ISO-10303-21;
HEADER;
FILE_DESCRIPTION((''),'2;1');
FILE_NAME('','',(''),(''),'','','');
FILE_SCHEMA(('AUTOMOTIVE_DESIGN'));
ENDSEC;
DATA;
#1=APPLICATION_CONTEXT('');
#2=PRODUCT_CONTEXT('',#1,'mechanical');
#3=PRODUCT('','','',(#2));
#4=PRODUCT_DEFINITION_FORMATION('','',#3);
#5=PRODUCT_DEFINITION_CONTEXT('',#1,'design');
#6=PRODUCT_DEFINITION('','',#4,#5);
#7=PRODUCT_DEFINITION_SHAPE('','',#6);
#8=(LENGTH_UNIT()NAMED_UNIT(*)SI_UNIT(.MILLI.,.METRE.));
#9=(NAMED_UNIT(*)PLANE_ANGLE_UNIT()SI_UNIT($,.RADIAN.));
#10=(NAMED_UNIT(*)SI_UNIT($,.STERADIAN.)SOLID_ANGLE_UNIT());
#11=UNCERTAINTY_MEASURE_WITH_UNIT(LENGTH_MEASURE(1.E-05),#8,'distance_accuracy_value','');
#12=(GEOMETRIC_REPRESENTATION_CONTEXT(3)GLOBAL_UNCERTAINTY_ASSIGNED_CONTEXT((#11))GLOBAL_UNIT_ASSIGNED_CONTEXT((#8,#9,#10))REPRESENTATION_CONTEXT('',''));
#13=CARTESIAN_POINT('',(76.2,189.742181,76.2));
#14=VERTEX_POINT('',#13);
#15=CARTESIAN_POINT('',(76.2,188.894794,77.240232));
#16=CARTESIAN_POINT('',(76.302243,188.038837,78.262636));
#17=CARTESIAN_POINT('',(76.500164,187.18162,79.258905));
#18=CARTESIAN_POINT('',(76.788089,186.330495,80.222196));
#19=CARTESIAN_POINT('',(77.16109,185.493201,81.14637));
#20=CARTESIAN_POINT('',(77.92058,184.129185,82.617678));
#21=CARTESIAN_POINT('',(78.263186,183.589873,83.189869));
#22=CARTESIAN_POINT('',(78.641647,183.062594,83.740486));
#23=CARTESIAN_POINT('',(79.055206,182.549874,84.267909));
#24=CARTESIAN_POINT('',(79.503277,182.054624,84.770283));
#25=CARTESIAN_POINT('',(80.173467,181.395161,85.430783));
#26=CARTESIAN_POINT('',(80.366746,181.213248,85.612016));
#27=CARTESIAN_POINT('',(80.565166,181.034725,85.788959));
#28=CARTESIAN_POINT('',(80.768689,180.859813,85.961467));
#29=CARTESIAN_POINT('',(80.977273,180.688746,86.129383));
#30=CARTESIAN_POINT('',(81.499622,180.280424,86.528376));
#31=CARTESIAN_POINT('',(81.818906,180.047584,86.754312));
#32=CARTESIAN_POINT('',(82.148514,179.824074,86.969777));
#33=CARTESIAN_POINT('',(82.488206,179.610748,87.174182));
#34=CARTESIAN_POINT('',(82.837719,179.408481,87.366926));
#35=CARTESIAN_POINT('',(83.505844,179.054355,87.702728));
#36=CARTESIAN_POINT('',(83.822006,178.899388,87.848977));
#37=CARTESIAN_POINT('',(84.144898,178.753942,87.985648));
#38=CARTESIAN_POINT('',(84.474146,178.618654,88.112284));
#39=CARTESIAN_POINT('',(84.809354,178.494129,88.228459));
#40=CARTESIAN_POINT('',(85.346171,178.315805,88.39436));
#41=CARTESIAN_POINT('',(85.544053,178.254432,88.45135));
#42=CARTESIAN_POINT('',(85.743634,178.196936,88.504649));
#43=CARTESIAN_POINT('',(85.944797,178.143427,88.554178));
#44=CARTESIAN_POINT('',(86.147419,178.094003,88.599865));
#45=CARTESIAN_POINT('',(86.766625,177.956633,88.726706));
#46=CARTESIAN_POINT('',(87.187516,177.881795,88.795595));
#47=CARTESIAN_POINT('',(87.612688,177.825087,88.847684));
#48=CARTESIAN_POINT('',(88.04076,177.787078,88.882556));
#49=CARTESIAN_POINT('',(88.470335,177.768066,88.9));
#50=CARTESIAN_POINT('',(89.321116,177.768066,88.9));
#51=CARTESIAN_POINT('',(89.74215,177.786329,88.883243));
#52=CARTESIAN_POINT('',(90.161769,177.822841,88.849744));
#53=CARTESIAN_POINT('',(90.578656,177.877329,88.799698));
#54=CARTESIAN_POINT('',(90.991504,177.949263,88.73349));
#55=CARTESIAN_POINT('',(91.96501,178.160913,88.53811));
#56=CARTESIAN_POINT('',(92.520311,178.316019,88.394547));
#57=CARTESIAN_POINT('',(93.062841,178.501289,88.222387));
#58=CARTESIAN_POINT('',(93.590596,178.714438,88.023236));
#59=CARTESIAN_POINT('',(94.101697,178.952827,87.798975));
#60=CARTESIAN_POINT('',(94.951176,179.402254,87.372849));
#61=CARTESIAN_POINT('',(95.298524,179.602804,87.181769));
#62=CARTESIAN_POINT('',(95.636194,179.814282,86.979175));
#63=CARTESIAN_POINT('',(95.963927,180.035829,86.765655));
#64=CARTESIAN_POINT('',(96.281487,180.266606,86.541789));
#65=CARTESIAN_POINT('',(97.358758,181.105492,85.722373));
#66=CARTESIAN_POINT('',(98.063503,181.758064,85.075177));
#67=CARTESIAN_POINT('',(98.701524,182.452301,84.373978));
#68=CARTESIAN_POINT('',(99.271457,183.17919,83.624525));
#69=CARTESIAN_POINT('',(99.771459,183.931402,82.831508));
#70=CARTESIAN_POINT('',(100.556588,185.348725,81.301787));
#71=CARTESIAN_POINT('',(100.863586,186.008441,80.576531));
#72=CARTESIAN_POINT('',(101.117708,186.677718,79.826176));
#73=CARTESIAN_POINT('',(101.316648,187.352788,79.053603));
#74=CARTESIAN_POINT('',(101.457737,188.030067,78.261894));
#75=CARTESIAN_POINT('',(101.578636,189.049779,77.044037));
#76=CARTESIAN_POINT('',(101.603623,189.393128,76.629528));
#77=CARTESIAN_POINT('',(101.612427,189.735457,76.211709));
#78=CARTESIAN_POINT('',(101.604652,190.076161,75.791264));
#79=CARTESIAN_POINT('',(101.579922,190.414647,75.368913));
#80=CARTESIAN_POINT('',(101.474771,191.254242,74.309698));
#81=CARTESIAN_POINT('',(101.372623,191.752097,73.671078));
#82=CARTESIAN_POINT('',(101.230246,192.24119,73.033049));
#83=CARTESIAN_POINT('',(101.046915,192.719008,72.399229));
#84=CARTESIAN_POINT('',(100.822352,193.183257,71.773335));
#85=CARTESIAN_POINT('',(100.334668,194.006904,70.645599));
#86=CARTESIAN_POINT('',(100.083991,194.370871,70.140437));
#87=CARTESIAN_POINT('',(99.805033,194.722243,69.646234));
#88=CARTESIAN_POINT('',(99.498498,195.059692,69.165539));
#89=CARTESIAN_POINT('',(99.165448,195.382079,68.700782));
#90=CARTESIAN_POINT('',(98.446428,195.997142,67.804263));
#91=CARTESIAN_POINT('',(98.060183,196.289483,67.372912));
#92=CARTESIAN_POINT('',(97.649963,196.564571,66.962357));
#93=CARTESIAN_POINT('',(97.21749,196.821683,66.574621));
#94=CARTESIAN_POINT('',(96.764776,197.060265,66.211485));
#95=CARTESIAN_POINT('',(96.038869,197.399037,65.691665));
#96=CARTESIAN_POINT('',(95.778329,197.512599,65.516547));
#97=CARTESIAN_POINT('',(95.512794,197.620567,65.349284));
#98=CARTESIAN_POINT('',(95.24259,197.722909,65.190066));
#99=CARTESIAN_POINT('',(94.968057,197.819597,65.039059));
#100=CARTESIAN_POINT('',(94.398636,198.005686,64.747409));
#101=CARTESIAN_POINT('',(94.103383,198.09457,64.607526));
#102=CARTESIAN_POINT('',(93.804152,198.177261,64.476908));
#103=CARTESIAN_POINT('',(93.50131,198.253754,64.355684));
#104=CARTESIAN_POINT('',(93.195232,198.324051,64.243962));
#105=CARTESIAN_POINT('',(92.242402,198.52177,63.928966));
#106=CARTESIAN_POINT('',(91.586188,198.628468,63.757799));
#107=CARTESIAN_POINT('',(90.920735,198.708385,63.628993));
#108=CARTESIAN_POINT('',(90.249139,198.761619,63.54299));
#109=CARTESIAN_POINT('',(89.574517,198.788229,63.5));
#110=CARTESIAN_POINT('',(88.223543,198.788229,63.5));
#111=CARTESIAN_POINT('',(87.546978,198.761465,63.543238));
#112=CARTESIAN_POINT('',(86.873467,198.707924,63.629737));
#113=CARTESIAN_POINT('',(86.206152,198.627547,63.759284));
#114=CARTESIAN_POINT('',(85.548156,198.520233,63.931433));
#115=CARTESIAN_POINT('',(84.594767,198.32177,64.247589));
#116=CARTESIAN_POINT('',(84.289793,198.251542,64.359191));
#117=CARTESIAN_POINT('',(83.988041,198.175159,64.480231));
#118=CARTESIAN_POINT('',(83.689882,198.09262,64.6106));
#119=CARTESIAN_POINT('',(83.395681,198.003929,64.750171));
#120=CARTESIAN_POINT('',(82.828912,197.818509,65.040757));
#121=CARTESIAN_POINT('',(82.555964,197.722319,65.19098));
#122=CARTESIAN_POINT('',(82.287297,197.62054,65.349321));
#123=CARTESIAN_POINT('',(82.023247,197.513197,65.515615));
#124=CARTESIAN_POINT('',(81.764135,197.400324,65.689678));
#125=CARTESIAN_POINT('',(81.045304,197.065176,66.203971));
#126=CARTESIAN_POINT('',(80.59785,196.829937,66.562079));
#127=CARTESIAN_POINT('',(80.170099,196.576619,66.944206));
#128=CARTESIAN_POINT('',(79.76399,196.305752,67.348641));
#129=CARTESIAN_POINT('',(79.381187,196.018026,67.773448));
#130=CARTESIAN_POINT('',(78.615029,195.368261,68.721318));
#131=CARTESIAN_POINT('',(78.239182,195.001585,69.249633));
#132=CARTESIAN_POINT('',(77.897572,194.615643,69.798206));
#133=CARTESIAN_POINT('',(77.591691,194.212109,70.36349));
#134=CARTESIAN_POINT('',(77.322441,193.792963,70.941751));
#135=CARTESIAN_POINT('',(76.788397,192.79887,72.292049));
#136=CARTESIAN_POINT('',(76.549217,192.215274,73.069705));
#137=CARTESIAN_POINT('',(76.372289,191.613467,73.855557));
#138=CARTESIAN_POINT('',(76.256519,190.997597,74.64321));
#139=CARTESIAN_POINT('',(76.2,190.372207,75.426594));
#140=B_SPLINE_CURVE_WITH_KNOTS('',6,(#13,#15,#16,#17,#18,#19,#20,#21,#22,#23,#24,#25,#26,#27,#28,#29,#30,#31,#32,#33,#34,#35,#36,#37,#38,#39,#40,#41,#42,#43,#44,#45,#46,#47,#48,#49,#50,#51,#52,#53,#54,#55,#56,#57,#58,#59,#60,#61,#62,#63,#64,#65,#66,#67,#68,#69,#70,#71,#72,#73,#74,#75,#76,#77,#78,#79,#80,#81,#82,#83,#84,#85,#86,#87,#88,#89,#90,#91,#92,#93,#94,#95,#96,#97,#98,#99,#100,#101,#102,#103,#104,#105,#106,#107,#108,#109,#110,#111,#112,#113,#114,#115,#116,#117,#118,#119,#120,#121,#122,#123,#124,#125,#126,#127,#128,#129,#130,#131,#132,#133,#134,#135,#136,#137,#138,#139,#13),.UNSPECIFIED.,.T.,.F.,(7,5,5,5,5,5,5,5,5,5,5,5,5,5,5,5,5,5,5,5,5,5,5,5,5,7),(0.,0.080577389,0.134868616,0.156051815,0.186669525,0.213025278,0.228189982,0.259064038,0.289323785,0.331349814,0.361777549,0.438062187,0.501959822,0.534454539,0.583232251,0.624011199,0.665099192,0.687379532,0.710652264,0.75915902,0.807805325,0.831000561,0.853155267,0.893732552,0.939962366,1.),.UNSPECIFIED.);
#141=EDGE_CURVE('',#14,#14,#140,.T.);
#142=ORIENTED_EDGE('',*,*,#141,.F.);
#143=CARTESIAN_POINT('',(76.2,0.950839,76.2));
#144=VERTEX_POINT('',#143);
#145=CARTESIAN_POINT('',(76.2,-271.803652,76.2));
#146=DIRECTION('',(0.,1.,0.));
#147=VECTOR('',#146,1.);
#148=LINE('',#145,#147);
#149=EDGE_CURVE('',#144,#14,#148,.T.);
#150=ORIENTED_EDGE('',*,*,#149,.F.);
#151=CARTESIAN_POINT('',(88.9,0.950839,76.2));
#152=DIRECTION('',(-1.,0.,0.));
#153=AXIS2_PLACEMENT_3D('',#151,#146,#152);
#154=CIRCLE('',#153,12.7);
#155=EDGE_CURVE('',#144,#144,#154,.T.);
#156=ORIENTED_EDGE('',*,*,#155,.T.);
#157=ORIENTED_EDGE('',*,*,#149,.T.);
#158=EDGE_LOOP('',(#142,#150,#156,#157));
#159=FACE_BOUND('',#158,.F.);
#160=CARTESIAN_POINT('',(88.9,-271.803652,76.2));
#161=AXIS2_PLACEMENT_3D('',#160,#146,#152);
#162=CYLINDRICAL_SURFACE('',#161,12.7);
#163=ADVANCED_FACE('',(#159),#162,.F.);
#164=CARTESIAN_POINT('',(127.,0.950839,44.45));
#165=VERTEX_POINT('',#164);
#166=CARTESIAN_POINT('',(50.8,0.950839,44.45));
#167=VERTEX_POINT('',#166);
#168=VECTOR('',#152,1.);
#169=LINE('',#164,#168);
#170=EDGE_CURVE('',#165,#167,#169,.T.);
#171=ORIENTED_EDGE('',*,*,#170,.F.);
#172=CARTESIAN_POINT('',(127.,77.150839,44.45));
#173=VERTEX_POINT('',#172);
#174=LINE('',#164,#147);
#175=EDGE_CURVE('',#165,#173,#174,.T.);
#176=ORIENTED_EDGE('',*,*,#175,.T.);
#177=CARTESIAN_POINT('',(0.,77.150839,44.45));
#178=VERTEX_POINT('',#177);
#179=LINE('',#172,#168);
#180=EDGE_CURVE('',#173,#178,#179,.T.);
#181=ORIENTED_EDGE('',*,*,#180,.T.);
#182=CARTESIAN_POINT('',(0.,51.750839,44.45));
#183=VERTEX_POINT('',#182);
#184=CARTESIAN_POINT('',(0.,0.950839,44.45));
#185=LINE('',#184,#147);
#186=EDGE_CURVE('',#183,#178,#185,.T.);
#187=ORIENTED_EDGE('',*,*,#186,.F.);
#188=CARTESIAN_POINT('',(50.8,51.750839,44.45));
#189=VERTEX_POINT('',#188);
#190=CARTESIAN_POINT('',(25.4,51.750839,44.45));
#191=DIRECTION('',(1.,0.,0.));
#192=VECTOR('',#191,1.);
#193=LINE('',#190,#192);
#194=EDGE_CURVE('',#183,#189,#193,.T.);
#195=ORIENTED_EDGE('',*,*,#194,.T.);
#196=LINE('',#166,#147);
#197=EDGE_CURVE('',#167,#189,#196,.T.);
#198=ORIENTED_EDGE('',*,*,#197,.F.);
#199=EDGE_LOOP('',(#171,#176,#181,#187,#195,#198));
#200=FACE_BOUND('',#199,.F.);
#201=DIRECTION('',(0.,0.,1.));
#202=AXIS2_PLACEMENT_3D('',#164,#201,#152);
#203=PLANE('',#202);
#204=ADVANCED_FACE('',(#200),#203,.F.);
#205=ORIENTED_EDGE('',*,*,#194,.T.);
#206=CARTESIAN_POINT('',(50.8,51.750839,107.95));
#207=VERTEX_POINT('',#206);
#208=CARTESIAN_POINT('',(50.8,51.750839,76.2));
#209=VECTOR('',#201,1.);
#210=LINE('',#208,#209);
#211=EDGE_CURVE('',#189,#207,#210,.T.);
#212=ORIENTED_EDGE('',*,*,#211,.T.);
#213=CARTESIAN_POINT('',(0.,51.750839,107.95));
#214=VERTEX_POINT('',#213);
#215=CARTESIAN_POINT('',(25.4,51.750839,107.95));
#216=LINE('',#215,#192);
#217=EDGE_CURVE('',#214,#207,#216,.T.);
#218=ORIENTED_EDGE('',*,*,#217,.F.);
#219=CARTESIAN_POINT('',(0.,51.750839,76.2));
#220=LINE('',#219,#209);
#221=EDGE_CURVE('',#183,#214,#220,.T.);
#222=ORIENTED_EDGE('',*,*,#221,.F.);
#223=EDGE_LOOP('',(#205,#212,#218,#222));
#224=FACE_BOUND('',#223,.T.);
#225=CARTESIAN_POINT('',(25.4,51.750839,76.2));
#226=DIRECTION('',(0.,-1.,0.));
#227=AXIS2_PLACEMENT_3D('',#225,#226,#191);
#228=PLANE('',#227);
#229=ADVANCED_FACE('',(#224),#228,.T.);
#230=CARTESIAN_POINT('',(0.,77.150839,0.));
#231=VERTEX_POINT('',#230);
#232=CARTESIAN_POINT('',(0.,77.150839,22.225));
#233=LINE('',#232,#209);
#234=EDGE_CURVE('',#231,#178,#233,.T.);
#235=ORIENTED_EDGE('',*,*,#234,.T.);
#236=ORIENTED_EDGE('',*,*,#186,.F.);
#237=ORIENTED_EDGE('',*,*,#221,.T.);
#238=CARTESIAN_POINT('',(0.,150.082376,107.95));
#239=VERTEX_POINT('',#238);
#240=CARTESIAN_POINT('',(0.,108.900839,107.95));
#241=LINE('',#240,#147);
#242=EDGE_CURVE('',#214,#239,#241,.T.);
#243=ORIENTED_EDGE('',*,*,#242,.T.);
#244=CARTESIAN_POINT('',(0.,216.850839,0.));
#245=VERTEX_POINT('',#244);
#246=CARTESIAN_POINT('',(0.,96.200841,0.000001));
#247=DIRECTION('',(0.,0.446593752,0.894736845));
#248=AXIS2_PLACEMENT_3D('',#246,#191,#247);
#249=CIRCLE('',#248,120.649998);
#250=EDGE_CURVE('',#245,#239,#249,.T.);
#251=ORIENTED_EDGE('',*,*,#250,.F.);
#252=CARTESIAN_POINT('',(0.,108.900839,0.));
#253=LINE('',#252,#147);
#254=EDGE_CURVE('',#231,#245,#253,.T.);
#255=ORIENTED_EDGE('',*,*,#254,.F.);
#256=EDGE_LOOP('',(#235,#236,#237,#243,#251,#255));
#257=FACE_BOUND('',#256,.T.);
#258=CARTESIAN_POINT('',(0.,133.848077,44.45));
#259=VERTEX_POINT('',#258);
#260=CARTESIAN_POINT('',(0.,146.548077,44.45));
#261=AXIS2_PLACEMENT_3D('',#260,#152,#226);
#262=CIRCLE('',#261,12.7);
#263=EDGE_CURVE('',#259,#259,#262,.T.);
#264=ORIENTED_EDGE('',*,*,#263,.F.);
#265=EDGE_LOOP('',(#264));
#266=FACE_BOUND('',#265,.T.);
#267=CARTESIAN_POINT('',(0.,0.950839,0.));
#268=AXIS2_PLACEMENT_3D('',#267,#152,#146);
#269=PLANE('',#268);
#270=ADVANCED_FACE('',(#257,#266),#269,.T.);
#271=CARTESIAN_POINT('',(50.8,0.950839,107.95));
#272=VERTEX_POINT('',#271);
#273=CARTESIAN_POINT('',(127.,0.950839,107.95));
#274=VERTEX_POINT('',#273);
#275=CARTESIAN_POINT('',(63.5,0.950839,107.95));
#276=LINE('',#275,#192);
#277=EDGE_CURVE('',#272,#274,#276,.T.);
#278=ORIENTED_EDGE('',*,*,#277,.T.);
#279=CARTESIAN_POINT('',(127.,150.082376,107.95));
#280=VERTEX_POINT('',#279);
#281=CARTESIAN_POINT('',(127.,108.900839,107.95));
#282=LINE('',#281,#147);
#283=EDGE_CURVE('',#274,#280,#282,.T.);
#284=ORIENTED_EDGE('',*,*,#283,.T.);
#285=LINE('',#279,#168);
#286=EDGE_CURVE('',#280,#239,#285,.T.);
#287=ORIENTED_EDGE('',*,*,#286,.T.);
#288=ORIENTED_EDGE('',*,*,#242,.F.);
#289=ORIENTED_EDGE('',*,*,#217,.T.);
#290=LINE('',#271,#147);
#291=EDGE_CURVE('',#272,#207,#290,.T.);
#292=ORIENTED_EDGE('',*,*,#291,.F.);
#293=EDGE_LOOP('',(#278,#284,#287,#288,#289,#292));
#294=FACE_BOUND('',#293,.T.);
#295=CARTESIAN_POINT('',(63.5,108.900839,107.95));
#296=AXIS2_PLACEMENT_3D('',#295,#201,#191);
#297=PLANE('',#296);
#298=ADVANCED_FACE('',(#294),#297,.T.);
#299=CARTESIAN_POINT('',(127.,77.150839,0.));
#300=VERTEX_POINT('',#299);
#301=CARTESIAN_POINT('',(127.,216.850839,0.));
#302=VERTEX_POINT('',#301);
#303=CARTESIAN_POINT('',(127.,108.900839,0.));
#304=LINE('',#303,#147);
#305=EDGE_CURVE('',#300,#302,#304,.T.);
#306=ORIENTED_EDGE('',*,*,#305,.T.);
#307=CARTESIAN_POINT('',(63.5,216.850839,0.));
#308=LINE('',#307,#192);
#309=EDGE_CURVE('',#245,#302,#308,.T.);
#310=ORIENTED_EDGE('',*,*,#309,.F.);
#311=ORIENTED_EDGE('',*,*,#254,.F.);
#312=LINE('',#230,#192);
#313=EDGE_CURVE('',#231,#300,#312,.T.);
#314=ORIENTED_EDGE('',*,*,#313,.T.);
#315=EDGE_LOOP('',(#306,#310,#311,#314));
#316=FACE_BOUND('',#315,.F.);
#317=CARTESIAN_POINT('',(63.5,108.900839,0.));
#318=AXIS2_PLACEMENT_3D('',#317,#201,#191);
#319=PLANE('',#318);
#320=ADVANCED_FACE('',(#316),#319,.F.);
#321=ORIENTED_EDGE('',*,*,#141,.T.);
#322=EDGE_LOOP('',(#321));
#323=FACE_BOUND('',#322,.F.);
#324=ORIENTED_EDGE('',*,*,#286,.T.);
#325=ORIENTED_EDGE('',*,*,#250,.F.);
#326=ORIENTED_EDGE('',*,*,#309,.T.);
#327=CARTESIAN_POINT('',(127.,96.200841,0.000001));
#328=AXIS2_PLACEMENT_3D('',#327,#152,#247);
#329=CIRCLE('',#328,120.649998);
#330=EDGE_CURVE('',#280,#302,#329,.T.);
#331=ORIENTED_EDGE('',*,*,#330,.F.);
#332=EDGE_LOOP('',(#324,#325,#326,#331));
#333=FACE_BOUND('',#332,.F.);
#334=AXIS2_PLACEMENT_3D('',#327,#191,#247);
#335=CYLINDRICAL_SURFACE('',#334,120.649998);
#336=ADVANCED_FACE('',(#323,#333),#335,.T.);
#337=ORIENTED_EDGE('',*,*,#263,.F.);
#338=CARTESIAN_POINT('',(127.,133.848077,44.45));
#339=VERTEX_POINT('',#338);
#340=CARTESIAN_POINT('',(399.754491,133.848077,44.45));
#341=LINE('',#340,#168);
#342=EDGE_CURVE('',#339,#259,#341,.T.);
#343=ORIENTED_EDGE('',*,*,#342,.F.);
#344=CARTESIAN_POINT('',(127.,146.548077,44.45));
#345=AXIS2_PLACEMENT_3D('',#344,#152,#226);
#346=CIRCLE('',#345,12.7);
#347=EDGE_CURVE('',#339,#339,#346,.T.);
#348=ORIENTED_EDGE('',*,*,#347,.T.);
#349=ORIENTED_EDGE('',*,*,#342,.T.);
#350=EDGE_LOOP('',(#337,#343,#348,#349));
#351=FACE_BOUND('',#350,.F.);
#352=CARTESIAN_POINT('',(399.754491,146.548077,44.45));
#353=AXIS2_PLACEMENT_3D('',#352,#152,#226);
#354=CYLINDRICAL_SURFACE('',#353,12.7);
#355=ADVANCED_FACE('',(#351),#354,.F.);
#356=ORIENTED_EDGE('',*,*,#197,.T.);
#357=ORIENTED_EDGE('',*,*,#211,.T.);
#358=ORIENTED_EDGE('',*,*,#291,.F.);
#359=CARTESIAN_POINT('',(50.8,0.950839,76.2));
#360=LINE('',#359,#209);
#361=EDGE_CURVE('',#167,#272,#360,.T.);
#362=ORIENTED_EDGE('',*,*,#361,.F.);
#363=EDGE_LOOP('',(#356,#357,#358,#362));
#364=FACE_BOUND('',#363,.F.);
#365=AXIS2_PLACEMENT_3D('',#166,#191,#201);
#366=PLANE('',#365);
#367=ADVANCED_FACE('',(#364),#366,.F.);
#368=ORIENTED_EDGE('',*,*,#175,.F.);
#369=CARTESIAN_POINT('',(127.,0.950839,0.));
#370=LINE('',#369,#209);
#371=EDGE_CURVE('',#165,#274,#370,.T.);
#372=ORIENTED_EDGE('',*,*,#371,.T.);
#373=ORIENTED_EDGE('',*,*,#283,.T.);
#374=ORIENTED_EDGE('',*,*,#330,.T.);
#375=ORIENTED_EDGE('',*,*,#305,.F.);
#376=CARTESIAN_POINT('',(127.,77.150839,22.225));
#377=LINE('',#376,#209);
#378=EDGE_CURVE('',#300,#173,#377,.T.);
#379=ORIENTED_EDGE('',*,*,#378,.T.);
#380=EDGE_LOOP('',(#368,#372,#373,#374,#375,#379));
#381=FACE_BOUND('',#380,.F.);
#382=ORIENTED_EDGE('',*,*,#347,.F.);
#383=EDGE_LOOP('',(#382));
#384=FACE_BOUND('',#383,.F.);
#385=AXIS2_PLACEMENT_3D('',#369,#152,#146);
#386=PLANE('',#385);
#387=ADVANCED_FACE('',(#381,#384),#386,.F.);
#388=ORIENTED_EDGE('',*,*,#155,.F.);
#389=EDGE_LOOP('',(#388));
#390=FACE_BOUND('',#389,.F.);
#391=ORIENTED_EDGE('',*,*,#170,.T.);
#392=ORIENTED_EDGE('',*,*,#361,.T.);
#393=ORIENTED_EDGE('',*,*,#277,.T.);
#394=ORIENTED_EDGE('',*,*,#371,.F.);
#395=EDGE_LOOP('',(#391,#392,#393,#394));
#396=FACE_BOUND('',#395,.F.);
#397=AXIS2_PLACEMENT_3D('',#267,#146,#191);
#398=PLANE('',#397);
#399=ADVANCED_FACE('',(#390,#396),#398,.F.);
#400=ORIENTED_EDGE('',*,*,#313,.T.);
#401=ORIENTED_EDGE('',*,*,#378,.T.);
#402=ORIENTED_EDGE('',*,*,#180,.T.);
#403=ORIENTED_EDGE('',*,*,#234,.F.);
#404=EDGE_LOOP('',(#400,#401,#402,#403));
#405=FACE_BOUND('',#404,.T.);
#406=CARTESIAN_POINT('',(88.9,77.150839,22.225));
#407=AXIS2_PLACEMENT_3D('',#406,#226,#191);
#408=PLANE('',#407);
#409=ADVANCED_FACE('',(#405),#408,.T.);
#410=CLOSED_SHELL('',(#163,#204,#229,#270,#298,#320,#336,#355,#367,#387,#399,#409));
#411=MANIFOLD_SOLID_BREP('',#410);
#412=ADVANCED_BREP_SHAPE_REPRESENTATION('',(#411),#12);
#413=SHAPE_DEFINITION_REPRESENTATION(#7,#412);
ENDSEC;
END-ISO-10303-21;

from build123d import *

# Parameters (mm, degrees)
F0_W      = 127
F0_H      = 215.9
F1_DEPTH  = 107.95
F3_W      = 76.2
F3_H      = 44.45
F3_W_2    = 50.8
F4_DEPTH  = 76.2
F5_D      = 25.4
F7_DEPTH  = 127.001
F9_D      = 25.4
F3_H_2    = 63.5
F10_DEPTH = 50.8


with BuildPart() as f1:
    # F0 (on Top) → F1 (new body)
    with BuildSketch(Plane.XY):
        with Locations((63.5, 108.900839)):
            Rectangle(F0_W, F0_H)
    extrude(amount=F1_DEPTH)

    # F3 (on face) → F4 (cut)
    with BuildSketch(Plane.XZ.offset(-0.950839)):
        with Locations((88.9, 22.225)):
            Rectangle(F3_W, F3_H)
        with Locations((25.4, 22.225)):
            Rectangle(F3_W_2, F3_H)
    extrude(amount=-F4_DEPTH, mode=Mode.SUBTRACT)

    # F5 (through all)
    with Locations(Plane.YZ.offset(127)):
        with Locations((146.548077, 44.45)):
            Hole(F5_D / 2)

    # F6 (on face) → F7 (cut, through all)
    with BuildSketch(Plane.YZ.offset(127)):
        with BuildLine():
            ThreePointArc((150.082376, 107.95), (198.809879, 63.46501), (216.850839, 0))
            Line((216.850839, 0), (216.850839, 107.95))
            Line((216.850839, 107.95), (150.082376, 107.95))
        make_face()
    extrude(amount=-F7_DEPTH, mode=Mode.SUBTRACT)

    # F9 (through all)
    with Locations(Plane.XZ.offset(-0.950839)):
        with Locations((88.9, 76.2)):
            Hole(F9_D / 2)

    # F3 (on face) → F10 (cut)
    with BuildSketch(Plane.XZ.offset(-0.950839)):
        with Locations((25.4, 76.2)):
            Rectangle(F3_W_2, F3_H_2)
    extrude(amount=-F10_DEPTH, mode=Mode.SUBTRACT)


solid = f1.part
